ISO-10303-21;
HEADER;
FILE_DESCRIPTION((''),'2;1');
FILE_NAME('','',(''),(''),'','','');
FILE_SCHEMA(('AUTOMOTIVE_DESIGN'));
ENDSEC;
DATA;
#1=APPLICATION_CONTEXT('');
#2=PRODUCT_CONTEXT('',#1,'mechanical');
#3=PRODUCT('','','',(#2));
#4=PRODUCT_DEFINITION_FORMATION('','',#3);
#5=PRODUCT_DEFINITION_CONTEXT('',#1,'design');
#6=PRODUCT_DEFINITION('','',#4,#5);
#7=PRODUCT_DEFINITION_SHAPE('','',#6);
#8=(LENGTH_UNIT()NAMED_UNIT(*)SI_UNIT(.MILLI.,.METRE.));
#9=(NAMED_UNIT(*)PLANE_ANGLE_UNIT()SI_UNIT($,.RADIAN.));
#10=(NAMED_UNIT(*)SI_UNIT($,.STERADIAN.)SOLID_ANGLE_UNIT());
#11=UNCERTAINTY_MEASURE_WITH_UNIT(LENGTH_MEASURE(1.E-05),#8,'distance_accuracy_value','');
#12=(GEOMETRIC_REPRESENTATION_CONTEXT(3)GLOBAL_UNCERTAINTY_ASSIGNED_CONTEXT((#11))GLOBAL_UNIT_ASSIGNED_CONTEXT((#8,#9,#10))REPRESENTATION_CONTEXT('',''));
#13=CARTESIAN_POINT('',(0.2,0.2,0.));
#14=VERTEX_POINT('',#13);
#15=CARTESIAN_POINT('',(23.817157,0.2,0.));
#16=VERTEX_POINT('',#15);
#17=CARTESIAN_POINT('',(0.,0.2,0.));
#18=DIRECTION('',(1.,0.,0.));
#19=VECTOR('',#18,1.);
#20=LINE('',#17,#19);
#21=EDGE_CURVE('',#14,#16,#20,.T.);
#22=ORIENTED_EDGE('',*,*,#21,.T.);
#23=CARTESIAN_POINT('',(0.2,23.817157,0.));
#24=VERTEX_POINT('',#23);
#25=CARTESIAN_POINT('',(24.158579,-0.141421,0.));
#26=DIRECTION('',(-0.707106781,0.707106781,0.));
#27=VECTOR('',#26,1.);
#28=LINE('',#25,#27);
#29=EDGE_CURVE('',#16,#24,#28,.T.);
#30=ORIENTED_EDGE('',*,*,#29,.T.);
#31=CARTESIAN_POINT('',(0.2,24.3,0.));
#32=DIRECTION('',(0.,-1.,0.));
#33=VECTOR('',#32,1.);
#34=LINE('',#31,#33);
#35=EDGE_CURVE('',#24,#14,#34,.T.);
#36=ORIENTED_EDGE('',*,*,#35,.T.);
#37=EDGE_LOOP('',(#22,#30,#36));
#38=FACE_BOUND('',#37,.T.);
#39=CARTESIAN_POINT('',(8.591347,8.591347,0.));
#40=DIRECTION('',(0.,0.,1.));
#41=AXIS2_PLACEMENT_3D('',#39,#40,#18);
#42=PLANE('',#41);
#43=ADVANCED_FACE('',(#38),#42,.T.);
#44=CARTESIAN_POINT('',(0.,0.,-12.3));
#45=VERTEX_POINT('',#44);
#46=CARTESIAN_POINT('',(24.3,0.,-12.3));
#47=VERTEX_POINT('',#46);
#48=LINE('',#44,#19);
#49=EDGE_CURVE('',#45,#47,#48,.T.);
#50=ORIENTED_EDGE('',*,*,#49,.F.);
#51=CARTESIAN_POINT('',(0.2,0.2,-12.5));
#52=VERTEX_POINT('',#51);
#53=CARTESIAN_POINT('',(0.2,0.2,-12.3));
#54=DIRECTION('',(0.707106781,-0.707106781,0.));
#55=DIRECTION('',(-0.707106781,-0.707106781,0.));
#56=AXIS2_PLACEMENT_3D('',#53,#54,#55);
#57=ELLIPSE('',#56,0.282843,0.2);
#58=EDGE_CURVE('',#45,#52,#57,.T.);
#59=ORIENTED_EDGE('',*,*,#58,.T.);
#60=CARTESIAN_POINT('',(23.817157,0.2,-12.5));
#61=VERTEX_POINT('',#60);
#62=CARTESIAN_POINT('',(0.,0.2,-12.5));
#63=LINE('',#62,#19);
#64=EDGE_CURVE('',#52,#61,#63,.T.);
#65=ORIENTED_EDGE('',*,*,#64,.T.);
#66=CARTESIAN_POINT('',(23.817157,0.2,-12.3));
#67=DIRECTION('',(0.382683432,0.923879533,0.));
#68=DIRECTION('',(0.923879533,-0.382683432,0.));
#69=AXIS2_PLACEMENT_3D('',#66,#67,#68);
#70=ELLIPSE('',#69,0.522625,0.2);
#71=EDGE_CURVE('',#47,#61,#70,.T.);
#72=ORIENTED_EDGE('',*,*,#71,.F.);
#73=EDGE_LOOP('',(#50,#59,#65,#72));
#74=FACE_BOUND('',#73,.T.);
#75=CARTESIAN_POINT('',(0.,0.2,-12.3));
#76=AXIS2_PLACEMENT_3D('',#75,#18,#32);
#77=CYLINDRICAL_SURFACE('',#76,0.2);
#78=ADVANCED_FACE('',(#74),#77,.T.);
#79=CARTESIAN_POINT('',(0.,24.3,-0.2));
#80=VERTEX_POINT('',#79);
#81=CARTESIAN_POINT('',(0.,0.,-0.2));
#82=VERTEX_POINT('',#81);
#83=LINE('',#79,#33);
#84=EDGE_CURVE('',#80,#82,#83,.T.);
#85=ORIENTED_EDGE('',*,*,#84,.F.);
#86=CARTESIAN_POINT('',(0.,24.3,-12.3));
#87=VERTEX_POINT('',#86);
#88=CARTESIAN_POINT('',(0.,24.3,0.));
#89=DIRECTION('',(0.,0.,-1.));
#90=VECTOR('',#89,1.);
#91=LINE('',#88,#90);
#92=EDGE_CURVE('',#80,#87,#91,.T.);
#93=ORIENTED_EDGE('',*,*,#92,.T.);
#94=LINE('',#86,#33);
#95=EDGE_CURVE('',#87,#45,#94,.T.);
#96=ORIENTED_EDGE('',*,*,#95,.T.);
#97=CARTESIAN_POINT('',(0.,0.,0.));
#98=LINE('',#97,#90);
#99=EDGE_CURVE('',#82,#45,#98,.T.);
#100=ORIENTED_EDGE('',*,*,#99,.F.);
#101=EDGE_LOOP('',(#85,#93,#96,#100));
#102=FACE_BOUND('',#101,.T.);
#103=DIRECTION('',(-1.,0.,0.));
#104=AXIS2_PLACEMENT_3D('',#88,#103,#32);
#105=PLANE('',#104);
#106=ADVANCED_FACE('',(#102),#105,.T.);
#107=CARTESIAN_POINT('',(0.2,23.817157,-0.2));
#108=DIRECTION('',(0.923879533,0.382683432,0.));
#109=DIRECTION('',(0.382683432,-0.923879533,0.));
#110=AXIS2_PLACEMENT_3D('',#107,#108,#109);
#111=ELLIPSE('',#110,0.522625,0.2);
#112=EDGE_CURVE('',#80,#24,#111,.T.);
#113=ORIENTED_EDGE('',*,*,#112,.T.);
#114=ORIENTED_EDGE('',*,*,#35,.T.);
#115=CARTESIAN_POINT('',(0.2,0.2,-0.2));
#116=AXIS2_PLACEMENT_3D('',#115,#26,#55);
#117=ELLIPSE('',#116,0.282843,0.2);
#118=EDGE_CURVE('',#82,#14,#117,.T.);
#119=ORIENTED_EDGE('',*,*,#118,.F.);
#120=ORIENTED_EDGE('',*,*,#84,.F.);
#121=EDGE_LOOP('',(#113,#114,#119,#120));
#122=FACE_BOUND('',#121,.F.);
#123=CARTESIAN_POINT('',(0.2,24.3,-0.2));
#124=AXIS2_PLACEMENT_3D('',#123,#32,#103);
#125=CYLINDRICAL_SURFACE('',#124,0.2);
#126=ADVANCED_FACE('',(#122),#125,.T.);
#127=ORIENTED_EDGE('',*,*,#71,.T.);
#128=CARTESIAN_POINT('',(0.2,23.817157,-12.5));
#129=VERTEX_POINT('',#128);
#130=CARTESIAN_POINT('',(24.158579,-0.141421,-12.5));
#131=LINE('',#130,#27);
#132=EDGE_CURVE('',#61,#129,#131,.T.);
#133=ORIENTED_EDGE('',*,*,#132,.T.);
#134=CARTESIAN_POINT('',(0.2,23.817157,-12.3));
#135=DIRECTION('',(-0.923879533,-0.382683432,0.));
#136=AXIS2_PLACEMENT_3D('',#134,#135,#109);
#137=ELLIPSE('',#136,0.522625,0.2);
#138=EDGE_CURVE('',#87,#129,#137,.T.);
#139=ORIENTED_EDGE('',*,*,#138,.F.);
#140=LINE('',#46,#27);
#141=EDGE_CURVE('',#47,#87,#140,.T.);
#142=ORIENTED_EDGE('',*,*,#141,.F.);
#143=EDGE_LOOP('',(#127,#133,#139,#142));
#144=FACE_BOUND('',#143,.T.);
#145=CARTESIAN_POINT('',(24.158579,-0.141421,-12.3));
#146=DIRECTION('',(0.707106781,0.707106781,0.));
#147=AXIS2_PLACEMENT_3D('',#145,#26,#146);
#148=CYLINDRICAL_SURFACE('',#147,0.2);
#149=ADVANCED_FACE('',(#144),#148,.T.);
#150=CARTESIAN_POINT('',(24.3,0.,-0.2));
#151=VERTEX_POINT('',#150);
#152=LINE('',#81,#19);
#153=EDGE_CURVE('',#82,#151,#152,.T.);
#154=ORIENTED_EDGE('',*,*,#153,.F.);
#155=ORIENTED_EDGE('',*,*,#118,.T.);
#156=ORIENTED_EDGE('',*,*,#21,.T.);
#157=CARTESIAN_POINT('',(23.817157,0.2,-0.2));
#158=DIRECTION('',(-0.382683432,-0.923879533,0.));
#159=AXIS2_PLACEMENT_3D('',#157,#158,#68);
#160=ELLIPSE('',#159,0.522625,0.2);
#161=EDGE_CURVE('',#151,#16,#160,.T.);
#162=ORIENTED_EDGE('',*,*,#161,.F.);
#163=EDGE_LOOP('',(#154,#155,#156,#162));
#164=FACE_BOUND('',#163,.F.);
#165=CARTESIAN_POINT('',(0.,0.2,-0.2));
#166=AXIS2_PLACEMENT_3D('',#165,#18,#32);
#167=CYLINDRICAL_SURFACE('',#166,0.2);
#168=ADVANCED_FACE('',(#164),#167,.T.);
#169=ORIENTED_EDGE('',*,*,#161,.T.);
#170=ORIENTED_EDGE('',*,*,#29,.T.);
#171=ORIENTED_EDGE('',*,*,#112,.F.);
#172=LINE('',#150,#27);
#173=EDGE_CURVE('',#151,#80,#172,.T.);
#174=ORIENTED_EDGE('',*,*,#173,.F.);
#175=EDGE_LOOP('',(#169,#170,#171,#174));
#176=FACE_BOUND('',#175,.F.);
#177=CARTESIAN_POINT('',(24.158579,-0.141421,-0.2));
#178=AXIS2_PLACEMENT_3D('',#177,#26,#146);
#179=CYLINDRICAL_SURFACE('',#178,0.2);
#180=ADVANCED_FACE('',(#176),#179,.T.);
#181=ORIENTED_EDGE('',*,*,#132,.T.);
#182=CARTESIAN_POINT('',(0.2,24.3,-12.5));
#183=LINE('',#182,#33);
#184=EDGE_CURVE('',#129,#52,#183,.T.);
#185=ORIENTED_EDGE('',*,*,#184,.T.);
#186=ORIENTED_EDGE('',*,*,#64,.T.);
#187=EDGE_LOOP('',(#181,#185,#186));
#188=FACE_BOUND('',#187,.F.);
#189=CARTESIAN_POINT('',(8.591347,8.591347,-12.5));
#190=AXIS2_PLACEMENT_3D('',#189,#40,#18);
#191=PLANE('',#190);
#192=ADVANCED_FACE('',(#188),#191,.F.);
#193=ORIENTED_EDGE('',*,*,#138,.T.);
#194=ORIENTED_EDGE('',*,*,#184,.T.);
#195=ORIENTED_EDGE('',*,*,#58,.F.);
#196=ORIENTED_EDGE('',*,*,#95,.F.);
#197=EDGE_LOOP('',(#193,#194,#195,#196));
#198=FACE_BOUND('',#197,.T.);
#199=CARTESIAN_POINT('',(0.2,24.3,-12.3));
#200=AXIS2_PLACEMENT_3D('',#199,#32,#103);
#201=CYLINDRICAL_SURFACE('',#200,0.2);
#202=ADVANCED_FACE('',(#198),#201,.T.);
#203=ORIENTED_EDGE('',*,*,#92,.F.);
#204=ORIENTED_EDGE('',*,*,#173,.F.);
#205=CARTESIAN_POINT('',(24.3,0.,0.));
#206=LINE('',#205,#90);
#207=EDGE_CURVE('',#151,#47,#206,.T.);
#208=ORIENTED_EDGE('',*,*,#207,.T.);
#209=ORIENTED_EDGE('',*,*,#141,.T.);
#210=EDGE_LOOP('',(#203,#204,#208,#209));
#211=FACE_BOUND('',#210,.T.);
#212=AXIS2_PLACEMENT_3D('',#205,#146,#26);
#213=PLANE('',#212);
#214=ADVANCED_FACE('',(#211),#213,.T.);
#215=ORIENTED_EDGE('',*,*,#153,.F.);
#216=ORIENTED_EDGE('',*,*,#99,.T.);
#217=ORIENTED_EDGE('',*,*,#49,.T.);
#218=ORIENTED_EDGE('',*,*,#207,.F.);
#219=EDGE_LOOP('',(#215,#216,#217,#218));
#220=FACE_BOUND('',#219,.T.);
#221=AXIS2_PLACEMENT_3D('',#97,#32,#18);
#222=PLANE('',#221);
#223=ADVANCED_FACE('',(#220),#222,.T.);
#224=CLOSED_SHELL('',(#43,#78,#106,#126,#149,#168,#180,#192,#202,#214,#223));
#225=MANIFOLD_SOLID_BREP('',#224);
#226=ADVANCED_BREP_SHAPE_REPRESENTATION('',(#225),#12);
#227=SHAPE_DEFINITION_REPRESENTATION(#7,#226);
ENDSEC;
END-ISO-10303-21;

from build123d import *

# Parameters (mm, degrees)
F1_DEPTH = 12.5
F2_R     = 0.2


with BuildPart() as f1:
    # F0 (on Top) → F1 (new body)
    with BuildSketch(Plane.XY):
        Polygon((0, 24.3), (0, 0), (24.3, 0), align=None)
    extrude(amount=-F1_DEPTH)

    # F2
    f2_edges = [f1.edges().sort_by_distance(p)[0] for p in [
        (0, 12.15, 0),
        (12.15, 0, 0),
        (12.15, 12.15, 0),
        (0, 12.15, -12.5),
        (12.15, 0, -12.5),
        (12.15, 12.15, -12.5),
    ]]
    fillet(f2_edges, radius=F2_R)


solid = f1.part
